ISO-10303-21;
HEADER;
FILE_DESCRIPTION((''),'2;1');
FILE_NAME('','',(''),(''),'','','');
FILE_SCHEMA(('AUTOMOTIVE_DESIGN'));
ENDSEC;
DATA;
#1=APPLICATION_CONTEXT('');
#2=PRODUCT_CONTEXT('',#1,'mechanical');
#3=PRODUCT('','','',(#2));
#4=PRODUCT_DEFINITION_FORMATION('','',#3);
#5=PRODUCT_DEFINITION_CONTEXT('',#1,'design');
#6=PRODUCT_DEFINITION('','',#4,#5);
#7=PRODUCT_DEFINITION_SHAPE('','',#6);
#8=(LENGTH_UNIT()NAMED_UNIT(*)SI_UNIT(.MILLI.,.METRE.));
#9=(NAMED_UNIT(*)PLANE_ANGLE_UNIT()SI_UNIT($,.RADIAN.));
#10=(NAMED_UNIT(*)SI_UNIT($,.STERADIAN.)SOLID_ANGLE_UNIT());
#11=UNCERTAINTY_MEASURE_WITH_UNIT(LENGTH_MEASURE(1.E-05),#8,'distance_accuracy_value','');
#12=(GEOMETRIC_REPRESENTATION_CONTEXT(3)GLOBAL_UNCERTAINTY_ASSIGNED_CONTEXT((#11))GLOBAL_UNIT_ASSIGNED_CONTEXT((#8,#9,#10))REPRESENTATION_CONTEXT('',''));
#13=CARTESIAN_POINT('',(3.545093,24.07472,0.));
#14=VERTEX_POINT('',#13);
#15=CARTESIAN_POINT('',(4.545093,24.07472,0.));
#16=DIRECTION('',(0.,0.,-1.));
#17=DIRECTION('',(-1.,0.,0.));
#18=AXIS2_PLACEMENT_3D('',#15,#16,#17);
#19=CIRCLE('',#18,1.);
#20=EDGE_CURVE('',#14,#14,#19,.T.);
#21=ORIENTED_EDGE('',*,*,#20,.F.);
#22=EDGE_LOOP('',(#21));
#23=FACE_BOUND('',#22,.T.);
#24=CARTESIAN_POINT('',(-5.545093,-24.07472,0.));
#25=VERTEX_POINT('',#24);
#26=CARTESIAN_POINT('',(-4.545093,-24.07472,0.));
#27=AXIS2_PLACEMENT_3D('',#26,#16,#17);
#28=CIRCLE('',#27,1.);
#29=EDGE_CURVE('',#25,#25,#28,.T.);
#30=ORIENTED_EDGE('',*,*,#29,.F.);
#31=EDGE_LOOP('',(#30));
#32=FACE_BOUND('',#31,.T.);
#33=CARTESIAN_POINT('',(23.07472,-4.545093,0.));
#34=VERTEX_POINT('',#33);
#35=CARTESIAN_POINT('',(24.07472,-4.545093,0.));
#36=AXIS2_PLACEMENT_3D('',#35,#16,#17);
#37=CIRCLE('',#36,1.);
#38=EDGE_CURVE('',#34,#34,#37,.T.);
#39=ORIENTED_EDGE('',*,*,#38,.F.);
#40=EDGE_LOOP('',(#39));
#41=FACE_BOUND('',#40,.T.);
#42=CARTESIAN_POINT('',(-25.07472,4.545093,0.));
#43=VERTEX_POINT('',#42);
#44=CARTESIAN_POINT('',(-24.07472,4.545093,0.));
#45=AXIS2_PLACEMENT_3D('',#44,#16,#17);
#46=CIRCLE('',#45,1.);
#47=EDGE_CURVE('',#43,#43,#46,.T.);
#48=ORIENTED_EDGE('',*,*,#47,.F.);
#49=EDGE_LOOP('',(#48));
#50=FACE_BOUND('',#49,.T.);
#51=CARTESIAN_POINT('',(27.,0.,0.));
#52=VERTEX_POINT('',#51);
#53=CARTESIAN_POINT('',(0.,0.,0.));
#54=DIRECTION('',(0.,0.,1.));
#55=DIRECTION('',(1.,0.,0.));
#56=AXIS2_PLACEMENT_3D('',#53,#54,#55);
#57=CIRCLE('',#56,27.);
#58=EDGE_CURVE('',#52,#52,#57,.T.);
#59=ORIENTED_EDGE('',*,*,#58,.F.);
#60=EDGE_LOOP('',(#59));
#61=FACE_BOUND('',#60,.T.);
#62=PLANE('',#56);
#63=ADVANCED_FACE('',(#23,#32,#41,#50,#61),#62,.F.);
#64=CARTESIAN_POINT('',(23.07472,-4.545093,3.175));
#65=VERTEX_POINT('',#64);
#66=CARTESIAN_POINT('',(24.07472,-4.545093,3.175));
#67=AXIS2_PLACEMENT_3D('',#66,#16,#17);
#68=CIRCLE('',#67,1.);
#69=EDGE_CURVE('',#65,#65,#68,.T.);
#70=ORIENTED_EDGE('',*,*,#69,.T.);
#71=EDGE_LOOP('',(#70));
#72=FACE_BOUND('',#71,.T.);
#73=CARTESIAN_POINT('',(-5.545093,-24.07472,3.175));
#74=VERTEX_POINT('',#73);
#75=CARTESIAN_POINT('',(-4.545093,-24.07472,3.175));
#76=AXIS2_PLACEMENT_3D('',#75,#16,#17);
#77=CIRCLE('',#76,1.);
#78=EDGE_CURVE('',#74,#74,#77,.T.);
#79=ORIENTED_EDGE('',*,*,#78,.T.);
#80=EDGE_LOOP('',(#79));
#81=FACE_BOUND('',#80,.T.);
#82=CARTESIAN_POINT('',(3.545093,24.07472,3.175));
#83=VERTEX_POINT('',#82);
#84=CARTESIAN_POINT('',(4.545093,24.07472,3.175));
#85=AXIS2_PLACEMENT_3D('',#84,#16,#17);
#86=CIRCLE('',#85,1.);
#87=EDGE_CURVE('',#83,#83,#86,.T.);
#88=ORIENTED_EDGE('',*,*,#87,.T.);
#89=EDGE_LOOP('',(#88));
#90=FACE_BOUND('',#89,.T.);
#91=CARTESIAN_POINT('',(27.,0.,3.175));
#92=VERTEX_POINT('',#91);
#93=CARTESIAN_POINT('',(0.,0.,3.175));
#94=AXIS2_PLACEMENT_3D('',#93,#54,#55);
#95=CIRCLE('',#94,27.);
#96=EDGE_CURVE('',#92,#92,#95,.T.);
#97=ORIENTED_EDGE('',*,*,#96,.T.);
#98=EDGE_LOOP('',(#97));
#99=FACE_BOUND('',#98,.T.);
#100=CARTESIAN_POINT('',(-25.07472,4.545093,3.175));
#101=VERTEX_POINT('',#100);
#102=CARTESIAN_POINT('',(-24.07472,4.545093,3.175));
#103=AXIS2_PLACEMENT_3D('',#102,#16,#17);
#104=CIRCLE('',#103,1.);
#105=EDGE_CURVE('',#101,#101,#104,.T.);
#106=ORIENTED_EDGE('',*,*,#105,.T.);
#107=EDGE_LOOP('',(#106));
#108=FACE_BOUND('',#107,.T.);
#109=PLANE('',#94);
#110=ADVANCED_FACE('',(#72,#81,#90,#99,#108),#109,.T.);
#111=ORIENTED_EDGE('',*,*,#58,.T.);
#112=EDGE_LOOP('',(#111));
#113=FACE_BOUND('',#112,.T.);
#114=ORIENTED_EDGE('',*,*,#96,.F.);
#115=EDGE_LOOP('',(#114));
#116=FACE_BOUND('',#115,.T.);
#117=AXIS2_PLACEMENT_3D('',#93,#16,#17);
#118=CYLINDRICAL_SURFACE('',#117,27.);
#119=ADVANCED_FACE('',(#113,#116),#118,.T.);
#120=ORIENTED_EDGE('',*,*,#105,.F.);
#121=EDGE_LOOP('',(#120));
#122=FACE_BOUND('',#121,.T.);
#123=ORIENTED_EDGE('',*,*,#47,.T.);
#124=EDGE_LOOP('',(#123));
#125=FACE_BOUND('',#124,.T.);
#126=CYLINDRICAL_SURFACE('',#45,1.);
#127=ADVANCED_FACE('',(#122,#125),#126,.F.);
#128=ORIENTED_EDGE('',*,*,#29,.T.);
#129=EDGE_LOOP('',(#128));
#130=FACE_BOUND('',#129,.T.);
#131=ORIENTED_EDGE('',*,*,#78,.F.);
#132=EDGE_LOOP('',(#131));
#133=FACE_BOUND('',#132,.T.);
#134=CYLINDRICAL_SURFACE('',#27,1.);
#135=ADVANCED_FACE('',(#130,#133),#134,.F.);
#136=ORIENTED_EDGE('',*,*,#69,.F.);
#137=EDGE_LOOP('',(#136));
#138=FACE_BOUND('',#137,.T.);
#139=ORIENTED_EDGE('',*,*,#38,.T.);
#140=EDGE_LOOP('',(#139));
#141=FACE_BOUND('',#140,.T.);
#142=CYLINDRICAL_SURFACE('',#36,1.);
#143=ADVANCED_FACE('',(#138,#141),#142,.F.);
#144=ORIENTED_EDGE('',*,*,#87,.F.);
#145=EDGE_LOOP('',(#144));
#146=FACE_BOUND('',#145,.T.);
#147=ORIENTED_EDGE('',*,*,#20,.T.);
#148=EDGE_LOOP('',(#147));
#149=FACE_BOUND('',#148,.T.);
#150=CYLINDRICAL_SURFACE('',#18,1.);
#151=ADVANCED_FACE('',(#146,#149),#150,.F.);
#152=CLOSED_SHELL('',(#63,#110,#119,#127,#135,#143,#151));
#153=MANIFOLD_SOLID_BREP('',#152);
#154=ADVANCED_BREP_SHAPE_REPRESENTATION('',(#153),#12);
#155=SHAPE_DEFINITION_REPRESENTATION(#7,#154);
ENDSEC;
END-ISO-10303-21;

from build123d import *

# Parameters (mm, degrees)
SKETCH1_R             = 27
BOSS_EXTRUDE1_DEPTH   = 3.175
F_1_5MM_DOWEL_HOLE1_D = 2


with BuildPart() as part:
    # Sketch1 → Boss-Extrude1 (new body)
    with BuildSketch(Plane.XY):
        Circle(SKETCH1_R)
    extrude(amount=BOSS_EXTRUDE1_DEPTH)

    # Ø1.5mm Dowel Hole1 (through all)
    with Locations(Plane(origin=(0, 0, 0), x_dir=(-1, 0, 0), z_dir=(0, 0, -1))):
        with Locations((-24.074719774, -4.545092718), (4.545092718, -24.074719774), (24.074719774, 4.545092718), (-4.545092718, 24.074719774)):
            Hole(F_1_5MM_DOWEL_HOLE1_D / 2)


solid = part.part
